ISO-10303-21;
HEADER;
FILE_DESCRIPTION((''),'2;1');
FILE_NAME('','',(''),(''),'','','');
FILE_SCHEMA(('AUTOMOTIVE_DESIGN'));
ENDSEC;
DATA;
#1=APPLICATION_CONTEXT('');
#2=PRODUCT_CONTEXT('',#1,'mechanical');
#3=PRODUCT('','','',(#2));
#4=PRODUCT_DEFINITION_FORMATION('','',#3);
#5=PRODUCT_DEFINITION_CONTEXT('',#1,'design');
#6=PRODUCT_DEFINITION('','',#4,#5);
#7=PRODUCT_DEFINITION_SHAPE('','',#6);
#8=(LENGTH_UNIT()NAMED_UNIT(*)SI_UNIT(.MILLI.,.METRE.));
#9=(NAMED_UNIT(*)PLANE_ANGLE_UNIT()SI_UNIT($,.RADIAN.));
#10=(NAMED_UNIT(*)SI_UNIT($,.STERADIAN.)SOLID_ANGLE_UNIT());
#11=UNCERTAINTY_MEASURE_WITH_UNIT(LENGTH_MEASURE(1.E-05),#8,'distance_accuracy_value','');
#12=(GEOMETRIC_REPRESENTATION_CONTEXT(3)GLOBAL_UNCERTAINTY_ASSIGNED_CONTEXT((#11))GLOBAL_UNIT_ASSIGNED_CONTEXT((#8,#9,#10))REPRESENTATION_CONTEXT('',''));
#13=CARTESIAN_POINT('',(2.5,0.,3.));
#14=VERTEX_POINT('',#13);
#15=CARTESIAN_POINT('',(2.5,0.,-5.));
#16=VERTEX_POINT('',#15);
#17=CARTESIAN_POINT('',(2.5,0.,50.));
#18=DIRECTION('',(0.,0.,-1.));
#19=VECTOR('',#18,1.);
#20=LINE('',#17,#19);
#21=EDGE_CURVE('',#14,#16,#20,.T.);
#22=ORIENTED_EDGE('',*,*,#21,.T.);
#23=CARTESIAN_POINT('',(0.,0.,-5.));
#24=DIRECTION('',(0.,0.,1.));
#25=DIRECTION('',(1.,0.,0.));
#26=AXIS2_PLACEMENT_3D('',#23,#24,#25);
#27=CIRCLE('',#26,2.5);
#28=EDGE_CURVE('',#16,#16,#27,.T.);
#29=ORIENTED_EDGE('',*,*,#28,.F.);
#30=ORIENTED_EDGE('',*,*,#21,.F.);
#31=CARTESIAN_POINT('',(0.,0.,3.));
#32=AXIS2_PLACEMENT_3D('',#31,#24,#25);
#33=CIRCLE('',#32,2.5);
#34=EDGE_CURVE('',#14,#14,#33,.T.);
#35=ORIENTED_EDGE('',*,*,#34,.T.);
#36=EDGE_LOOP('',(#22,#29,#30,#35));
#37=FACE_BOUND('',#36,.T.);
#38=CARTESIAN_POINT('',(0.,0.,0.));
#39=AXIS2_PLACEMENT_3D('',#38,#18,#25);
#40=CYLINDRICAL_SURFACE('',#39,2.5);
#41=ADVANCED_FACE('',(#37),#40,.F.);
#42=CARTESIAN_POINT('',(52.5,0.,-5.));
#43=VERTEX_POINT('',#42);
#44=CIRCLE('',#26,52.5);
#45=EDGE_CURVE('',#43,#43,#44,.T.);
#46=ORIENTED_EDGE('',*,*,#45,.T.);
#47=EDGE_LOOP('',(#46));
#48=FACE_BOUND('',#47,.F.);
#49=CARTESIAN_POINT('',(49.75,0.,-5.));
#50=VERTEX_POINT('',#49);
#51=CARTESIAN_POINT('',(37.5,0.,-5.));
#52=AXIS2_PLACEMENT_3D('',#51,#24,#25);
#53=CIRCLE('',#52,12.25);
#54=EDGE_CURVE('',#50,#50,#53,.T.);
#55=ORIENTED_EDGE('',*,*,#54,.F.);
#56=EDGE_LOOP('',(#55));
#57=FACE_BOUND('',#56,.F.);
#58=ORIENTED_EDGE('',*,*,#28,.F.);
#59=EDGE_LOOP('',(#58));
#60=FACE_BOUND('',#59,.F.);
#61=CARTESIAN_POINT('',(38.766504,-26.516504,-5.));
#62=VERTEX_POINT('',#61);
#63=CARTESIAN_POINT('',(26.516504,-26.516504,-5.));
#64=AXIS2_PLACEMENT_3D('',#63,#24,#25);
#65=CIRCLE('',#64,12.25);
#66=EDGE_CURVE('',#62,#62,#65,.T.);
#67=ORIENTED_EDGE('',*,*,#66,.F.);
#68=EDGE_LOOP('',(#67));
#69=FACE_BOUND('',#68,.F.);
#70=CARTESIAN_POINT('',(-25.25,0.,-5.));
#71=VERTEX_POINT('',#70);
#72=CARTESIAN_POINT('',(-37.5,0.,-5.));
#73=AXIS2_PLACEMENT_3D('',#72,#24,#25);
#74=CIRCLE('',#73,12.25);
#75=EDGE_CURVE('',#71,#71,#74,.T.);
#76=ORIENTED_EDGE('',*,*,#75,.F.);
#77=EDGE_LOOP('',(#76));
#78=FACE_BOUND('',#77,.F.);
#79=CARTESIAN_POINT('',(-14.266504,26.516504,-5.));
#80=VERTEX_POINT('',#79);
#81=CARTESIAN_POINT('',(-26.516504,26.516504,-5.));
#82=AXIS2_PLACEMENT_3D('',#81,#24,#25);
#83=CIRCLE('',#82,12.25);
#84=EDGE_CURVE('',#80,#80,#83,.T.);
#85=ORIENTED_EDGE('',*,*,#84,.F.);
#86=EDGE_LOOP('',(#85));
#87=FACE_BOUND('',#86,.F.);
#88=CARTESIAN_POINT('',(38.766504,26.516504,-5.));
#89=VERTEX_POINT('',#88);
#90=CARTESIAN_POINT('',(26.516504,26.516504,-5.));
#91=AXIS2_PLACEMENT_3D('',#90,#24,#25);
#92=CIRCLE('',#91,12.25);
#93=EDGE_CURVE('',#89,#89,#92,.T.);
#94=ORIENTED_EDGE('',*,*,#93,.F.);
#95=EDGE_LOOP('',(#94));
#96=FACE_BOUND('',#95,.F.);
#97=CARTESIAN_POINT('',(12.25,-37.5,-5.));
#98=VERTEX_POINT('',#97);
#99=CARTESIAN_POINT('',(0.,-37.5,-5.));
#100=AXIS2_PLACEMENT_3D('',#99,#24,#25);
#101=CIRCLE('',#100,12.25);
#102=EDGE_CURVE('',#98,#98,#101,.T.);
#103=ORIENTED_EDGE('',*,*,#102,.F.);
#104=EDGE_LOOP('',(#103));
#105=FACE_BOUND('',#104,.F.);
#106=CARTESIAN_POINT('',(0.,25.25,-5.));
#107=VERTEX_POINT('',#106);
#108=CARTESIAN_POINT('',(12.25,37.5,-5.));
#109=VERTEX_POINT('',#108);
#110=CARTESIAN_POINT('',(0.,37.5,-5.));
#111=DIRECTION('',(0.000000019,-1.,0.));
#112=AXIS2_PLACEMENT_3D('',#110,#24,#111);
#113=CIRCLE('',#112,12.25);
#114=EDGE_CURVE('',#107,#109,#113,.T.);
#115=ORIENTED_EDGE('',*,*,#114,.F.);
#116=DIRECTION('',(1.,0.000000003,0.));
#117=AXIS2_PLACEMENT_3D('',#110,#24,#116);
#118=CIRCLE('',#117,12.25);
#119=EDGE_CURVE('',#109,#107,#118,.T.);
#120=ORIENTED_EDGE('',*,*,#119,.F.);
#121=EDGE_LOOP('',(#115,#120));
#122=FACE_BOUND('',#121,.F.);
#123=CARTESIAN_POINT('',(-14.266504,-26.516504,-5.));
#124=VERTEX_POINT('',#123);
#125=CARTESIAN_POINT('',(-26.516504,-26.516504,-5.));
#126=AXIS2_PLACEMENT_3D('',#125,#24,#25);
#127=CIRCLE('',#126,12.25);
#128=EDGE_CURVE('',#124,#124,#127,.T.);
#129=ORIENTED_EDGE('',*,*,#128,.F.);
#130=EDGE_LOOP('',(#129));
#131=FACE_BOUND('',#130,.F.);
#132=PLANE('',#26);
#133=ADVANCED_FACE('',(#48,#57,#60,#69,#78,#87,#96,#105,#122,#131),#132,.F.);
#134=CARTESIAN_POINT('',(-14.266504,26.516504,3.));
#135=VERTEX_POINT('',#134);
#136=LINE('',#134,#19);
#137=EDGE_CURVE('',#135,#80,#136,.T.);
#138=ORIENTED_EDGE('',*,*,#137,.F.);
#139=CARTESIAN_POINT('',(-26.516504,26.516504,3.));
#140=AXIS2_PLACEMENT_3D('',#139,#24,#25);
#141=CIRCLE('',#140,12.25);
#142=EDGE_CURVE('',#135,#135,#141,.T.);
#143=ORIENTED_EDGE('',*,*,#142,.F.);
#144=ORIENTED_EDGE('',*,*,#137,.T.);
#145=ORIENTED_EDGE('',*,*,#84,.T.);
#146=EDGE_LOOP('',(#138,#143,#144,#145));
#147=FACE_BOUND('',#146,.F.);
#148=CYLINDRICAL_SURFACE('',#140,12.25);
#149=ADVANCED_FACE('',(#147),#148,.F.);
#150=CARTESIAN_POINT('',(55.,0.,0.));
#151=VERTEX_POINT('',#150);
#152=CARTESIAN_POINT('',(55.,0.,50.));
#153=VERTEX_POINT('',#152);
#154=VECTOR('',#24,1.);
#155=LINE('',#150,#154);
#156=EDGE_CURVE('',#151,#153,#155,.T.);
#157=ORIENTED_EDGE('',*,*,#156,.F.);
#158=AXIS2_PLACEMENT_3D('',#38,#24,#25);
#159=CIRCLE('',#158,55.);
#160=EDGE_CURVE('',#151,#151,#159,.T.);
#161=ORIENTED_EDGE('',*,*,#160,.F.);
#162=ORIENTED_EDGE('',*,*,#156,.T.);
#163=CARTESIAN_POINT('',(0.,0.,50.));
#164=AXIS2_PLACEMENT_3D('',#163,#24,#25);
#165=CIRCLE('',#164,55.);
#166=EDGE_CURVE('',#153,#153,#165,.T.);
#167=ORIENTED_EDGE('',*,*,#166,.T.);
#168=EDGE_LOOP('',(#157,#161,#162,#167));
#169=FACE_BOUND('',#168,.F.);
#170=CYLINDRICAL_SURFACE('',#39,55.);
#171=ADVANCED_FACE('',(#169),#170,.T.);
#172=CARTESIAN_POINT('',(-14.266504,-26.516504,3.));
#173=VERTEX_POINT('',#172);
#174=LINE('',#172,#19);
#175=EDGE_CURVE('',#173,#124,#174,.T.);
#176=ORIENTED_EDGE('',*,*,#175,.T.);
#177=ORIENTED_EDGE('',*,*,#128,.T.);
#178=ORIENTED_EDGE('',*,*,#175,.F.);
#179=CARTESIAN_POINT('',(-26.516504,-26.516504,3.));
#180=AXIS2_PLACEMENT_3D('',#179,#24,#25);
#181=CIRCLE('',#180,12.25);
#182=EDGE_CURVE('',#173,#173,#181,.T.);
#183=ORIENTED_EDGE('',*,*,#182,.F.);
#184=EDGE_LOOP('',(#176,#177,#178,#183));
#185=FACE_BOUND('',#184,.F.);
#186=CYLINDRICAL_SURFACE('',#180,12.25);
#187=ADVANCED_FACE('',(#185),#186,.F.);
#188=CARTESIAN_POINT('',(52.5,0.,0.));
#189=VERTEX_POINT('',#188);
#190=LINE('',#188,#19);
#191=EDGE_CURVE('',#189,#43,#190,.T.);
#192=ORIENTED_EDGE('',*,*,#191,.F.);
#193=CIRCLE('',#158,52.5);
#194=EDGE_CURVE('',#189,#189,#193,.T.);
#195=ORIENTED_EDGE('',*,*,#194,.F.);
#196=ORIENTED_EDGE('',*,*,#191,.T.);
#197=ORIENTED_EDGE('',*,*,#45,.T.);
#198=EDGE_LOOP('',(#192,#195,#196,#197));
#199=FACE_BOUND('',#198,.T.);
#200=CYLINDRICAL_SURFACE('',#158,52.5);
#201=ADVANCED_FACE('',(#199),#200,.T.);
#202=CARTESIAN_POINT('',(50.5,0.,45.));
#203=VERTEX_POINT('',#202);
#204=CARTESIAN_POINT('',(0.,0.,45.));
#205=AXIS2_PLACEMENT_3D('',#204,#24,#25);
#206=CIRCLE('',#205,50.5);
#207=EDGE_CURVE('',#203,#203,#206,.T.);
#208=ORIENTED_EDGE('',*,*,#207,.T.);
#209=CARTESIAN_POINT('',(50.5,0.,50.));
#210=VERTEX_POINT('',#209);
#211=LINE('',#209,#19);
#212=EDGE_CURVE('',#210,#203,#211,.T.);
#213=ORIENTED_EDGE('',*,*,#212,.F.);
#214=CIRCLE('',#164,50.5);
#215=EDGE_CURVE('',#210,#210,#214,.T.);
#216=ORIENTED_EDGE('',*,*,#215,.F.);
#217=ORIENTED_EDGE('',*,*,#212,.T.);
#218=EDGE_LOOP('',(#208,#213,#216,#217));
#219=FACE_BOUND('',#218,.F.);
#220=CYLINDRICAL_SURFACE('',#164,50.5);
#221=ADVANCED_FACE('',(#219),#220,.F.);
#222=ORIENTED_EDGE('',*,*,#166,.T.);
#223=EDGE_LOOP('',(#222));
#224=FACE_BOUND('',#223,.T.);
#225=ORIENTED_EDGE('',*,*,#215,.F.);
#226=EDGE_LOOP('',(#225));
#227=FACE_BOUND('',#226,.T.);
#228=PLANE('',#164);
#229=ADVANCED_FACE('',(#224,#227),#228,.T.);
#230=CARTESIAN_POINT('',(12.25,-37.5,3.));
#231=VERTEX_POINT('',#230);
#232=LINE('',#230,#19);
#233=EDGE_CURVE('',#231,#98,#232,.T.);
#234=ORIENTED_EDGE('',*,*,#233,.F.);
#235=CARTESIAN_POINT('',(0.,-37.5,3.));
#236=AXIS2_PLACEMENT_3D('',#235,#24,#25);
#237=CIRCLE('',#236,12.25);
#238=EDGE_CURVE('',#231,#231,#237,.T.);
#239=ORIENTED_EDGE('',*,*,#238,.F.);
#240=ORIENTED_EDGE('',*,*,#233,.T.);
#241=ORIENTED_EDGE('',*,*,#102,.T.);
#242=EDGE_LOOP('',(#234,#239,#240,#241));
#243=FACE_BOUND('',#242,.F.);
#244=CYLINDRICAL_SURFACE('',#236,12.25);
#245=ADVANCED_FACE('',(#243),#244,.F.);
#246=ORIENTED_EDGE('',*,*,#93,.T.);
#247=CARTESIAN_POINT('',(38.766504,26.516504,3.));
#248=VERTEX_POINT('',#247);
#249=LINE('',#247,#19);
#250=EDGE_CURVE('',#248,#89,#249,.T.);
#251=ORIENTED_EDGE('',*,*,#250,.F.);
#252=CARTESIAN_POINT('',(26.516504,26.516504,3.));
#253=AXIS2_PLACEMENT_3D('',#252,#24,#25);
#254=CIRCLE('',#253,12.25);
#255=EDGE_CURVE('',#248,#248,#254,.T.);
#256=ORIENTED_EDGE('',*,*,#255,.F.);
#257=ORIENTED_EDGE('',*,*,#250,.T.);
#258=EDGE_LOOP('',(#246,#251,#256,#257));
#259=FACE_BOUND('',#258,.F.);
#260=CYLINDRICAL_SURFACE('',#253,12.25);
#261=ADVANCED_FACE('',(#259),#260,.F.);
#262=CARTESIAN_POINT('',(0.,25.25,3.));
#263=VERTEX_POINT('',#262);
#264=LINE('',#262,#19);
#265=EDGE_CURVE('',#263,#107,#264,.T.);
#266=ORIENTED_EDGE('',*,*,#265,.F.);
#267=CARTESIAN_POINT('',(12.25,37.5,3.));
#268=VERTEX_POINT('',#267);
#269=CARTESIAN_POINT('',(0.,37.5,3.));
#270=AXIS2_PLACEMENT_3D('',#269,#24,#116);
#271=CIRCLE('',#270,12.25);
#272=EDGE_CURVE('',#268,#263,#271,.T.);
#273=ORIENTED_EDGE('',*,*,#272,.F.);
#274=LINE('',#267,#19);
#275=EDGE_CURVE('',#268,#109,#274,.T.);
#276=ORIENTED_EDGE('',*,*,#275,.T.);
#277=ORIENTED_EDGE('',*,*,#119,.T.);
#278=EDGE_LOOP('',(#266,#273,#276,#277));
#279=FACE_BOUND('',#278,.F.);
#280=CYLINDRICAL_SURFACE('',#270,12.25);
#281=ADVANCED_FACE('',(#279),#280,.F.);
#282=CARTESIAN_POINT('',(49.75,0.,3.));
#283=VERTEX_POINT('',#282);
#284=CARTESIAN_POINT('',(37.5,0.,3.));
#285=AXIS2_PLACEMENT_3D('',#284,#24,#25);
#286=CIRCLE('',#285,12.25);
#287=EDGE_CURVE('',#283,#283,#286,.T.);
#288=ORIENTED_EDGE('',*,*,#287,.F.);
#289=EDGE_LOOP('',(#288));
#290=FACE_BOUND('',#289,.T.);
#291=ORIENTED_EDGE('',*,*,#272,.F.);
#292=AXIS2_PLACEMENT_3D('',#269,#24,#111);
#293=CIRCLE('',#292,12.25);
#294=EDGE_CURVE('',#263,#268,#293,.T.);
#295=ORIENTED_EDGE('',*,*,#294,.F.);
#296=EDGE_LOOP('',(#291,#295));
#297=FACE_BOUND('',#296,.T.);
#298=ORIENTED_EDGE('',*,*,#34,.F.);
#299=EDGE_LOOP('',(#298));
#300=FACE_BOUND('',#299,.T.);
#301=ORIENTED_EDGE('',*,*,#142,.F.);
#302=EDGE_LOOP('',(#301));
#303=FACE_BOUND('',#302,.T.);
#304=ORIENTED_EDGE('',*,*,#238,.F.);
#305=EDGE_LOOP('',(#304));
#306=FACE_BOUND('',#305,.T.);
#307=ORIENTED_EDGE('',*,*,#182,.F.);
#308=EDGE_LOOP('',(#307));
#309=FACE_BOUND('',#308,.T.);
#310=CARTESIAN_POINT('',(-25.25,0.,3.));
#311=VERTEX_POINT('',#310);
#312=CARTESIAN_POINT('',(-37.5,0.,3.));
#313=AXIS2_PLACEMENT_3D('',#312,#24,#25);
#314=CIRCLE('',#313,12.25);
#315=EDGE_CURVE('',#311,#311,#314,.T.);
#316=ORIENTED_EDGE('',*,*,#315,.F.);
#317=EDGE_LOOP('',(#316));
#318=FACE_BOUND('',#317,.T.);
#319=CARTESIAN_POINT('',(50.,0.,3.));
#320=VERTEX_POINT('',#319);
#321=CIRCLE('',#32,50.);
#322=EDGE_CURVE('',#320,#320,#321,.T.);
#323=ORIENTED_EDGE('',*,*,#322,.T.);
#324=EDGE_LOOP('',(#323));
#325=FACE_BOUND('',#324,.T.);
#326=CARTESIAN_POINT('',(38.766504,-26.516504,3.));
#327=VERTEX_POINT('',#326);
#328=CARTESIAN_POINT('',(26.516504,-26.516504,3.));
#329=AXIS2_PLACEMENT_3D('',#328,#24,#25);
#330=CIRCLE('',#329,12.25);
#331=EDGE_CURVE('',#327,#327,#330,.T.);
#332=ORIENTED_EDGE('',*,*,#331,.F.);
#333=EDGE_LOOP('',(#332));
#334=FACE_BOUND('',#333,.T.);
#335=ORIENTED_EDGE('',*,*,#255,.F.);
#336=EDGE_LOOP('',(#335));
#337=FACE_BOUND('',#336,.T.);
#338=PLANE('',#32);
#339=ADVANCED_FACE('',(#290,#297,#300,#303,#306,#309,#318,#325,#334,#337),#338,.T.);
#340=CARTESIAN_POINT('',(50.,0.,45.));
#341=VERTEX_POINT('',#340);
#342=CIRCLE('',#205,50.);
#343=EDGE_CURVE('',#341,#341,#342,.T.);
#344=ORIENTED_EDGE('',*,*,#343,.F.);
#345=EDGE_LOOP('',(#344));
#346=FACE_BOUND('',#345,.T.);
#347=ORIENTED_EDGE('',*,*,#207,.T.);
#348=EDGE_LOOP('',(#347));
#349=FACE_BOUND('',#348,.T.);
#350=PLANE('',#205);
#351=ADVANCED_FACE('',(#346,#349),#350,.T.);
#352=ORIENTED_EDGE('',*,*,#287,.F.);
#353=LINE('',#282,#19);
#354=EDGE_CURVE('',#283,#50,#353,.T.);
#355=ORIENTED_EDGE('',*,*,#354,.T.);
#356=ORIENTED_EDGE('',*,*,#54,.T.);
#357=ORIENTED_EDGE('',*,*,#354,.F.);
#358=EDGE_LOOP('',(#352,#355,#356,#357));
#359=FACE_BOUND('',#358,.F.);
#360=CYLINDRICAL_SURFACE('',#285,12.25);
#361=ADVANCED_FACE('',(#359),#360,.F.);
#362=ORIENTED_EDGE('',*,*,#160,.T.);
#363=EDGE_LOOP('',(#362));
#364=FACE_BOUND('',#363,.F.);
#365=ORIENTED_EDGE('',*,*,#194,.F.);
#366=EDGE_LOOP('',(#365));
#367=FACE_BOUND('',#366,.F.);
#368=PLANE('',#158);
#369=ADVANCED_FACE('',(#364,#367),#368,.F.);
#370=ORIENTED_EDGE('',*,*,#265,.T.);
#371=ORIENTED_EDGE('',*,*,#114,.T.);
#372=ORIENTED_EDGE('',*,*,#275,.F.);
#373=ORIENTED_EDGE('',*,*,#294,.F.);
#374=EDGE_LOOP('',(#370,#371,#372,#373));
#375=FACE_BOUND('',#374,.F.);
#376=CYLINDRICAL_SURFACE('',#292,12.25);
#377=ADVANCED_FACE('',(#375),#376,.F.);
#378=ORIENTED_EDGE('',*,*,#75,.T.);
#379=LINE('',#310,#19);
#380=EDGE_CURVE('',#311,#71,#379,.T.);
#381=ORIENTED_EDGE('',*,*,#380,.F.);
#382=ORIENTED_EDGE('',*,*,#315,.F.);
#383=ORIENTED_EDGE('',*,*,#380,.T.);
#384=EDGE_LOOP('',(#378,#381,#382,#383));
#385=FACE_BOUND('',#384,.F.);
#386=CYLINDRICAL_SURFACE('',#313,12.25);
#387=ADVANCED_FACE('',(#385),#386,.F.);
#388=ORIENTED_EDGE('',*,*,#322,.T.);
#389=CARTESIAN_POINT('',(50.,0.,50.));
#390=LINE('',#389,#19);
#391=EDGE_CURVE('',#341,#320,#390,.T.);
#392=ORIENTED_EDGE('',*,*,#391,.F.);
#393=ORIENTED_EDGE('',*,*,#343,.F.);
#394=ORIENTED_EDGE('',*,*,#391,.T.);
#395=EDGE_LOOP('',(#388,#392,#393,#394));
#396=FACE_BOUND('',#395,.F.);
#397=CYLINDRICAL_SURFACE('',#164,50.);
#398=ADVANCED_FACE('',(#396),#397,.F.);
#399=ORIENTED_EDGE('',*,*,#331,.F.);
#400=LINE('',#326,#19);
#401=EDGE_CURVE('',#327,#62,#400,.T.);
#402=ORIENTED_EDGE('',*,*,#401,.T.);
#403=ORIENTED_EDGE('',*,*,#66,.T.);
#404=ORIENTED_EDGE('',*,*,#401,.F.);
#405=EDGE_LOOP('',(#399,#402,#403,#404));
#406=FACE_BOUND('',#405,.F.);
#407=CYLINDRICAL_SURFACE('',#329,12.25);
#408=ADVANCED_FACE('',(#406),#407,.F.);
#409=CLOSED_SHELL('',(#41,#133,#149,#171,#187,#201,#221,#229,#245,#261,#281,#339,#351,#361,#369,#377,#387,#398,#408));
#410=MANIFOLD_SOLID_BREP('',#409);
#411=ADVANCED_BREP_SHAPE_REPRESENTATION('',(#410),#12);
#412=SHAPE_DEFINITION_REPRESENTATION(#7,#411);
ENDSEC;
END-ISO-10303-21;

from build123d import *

# Parameters (mm, degrees)
F0_R        = 52.5
F0_R_2      = 2.5
F1_DEPTH    = 5
F0_R_3      = 55
F1_FACE_R   = 52.5
F1_FACE_R_2 = 2.5
F2_DEPTH    = 50
F3_R        = 50
F3_R_2      = 2.5
F4_DEPTH    = 47
F5_R        = 12.25
F6_DEPTH    = 8
F7_R        = 50.5
F7_R_2      = 50
F8_DEPTH    = 5


with BuildPart() as f1:
    # F0 (on Top) → F1 (new body)
    with BuildSketch(Plane.XY):
        Circle(F0_R)
        Circle(F0_R_2, mode=Mode.SUBTRACT)
    extrude(amount=-F1_DEPTH)

    # F0 (on Top) + F1_face (on face) → F2 (join)
    with BuildSketch(Plane.XY):
        Circle(F0_R_3)
        Circle(F0_R, mode=Mode.SUBTRACT)
    with BuildSketch(Plane.XY):
        Circle(F1_FACE_R)
        Circle(F1_FACE_R_2, mode=Mode.SUBTRACT)
    extrude(amount=F2_DEPTH)

    # F3 (on face) → F4 (cut)
    with BuildSketch(Plane.XY.offset(50)):
        Circle(F3_R)
        Circle(F3_R_2, mode=Mode.SUBTRACT)
    extrude(amount=-F4_DEPTH, mode=Mode.SUBTRACT)

    # F5 (on face) → F6 (cut)
    with BuildSketch(Plane.XY.offset(3)):
        with BuildLine():
            ThreePointArc((0, 25.25), (8.662058, 28.837942), (12.25, 37.5))
            ThreePointArc((12.25, 37.5), (-8.662058, 46.162058), (0, 25.25))
        make_face()
        with Locations((-26.516504, 26.516504)):
            Circle(F5_R)
        with Locations((-37.5, 0)):
            Circle(F5_R)
        with Locations((-26.516504, -26.516504)):
            Circle(F5_R)
        with Locations((0, -37.5)):
            Circle(F5_R)
        with Locations((26.516504, -26.516504)):
            Circle(F5_R)
        with Locations((26.516504, 26.516504)):
            Circle(F5_R)
        with Locations((37.5, 0)):
            Circle(F5_R)
    extrude(amount=-F6_DEPTH, mode=Mode.SUBTRACT)

    # F7 (on face) → F8 (cut)
    with BuildSketch(Plane.XY.offset(50)):
        Circle(F7_R)
        Circle(F7_R_2, mode=Mode.SUBTRACT)
    extrude(amount=-F8_DEPTH, mode=Mode.SUBTRACT)


solid = f1.part
